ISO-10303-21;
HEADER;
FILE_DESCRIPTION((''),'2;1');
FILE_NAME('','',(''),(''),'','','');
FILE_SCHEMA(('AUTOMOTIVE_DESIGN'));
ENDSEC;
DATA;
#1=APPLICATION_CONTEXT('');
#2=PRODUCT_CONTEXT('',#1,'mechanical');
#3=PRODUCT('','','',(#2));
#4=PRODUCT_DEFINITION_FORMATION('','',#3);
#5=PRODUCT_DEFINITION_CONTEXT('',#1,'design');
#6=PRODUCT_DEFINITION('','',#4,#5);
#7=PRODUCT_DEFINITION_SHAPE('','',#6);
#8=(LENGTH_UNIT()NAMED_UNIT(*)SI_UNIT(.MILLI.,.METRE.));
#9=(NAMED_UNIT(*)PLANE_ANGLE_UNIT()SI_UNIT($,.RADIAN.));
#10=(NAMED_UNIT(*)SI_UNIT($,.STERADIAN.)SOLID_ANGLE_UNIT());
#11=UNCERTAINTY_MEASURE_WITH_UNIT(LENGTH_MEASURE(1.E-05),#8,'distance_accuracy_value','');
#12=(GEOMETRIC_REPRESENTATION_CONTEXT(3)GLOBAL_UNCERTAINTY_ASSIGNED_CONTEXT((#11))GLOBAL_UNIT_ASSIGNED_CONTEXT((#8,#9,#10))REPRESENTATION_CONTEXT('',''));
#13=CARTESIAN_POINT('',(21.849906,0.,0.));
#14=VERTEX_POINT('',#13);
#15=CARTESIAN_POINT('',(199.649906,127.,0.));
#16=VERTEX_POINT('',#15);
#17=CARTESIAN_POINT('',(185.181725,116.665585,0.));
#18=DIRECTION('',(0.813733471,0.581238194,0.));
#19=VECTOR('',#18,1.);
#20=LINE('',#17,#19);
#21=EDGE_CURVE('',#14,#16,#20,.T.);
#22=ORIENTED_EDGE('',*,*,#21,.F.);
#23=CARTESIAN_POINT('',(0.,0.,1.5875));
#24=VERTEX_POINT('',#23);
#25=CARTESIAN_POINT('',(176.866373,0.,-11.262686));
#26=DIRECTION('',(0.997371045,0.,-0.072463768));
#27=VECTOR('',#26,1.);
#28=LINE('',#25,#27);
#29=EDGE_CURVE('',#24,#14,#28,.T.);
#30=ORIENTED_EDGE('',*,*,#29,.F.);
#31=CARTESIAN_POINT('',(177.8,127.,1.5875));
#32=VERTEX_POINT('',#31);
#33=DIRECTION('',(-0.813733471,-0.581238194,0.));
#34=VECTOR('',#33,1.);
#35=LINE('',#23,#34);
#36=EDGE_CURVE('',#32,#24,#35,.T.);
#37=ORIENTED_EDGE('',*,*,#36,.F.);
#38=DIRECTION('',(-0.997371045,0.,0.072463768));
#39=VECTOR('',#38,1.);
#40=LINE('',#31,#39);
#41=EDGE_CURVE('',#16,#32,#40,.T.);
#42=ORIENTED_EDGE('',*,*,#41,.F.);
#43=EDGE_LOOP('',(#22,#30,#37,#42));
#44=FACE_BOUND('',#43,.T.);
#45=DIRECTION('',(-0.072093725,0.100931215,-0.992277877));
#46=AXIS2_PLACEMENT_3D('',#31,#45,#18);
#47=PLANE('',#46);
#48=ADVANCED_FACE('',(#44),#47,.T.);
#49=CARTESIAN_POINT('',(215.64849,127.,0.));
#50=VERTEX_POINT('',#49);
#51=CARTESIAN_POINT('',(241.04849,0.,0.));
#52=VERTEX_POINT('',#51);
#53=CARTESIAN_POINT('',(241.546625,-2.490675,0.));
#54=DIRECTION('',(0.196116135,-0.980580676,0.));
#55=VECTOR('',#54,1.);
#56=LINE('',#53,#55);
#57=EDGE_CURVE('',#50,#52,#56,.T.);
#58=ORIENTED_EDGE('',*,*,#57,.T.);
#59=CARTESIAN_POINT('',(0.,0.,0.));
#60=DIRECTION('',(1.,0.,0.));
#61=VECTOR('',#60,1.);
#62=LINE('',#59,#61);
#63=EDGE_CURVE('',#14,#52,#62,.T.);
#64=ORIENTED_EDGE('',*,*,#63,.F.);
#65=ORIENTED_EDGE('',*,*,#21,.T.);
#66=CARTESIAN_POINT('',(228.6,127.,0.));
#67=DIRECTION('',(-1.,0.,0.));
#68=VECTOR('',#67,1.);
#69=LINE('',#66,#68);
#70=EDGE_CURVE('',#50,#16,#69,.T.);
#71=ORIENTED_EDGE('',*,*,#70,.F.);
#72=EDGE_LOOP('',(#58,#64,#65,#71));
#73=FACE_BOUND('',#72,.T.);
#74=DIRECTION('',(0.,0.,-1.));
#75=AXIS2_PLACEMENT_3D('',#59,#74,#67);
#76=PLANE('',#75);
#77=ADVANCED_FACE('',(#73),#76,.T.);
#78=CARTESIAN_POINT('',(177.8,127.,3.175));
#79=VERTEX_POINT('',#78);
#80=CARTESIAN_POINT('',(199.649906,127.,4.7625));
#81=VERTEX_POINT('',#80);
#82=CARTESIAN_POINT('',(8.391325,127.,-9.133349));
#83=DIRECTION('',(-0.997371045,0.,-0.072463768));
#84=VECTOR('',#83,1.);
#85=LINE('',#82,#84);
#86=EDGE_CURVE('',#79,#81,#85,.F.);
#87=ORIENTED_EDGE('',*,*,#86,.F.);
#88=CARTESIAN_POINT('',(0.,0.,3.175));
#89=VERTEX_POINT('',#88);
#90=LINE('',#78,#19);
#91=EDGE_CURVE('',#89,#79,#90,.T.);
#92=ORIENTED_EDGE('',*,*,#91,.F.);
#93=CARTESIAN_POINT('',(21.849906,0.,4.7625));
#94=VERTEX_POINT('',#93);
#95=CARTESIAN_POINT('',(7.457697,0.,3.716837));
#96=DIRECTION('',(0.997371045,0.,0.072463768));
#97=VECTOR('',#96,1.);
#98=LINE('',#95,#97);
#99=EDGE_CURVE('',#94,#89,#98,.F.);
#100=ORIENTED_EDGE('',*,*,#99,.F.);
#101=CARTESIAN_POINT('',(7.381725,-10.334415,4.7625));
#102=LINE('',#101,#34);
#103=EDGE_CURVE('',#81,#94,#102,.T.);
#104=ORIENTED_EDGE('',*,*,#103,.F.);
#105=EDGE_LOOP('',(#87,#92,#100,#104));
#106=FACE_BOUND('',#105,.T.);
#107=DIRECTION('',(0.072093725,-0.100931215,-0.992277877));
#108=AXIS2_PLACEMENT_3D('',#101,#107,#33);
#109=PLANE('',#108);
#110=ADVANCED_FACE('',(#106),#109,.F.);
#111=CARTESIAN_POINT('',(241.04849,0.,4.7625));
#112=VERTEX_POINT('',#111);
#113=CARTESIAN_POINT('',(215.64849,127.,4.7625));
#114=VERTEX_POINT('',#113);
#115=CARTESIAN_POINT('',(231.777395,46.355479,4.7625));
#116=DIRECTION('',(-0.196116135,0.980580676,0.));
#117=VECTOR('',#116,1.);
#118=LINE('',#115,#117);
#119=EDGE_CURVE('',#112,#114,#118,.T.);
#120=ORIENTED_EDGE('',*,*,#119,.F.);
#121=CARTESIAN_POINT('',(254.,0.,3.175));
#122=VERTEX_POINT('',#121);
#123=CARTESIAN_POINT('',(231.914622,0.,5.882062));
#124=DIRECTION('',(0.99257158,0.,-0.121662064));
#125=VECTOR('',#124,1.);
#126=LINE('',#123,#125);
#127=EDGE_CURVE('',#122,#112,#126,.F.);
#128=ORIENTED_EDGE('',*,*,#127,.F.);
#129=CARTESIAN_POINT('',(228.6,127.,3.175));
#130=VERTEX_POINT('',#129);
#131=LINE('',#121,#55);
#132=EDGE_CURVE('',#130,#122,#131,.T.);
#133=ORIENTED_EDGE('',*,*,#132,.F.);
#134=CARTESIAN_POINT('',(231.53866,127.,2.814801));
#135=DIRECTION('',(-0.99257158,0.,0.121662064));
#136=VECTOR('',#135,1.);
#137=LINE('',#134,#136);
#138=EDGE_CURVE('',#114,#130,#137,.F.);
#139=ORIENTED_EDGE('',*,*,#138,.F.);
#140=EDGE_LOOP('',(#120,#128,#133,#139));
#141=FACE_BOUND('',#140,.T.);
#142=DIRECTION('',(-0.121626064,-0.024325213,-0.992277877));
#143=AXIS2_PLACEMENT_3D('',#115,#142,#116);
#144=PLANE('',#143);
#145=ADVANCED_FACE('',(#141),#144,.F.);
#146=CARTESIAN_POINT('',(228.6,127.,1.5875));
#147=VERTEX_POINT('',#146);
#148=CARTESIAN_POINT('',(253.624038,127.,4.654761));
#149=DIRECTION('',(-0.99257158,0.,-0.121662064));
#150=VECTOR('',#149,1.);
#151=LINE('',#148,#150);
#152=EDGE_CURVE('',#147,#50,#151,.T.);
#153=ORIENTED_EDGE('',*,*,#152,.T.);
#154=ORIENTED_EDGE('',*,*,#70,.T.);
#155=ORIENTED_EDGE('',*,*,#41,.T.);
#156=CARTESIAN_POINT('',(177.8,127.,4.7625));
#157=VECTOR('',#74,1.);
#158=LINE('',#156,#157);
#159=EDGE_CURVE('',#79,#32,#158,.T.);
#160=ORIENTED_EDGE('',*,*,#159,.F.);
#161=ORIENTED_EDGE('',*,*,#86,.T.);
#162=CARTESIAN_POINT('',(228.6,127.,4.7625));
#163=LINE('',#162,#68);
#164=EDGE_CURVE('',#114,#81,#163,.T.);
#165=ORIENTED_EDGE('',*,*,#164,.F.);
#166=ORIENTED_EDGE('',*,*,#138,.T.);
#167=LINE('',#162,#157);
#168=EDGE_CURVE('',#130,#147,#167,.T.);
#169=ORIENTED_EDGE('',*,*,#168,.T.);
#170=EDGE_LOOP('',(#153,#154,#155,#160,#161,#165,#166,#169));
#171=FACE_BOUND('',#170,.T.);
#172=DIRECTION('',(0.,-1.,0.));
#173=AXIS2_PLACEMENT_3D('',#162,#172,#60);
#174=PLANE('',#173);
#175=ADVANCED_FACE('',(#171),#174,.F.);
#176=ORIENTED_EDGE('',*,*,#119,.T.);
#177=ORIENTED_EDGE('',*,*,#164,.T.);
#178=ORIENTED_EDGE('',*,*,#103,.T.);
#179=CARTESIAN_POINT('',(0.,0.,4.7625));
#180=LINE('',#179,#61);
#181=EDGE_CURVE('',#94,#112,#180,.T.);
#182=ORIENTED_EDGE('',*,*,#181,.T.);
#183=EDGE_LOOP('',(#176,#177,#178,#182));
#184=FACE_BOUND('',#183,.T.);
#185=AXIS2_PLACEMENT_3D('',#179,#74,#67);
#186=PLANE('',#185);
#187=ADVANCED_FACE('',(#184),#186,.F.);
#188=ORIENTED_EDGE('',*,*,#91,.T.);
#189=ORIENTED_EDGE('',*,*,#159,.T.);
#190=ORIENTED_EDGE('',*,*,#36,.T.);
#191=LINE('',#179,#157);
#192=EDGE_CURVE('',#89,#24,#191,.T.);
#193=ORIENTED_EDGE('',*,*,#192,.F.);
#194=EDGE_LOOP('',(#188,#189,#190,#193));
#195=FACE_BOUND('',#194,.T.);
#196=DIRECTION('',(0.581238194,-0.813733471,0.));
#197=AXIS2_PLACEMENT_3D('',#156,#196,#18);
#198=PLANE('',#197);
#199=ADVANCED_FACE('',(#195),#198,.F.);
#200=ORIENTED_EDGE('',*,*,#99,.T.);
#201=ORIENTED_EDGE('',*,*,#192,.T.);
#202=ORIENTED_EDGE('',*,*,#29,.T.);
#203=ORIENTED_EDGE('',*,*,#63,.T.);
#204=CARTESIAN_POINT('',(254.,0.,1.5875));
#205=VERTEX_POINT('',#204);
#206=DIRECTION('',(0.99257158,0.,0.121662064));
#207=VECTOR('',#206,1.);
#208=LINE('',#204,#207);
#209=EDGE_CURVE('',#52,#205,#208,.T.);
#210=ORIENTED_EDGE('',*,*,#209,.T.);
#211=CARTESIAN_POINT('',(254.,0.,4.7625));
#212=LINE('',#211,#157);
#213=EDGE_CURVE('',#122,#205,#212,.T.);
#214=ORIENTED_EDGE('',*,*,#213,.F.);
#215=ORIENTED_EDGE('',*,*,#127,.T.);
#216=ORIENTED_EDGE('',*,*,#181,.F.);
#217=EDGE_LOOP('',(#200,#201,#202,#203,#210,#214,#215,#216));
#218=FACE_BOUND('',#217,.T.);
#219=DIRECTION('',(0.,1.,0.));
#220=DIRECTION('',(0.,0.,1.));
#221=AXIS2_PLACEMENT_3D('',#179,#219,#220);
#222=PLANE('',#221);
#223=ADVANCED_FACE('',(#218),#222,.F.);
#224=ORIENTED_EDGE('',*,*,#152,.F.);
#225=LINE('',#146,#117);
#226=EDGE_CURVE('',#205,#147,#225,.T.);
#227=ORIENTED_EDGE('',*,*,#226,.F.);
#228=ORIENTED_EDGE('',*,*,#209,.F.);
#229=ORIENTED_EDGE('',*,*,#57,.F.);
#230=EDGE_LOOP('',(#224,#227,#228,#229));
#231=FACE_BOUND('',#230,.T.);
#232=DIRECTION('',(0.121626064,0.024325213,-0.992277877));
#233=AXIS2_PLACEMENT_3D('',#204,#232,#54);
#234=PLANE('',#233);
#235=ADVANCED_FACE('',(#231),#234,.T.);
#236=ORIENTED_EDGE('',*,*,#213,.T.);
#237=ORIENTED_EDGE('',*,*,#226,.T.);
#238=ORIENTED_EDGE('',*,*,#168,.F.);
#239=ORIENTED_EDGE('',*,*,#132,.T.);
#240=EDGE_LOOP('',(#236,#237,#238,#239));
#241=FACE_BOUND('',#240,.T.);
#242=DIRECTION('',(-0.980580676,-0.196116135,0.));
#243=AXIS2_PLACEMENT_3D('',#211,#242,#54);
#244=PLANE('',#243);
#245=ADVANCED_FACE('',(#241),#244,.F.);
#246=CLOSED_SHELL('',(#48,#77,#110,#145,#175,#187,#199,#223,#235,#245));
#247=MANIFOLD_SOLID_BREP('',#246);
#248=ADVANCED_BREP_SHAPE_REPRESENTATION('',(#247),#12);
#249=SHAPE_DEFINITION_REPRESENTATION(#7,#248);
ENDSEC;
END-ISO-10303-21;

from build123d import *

# Parameters (mm, degrees)
BOSS_EXTRUDE1_DEPTH = 4.7625
CHAMFER1_SIZE       = 1.5875
CHAMFER1_SIZE2      = 12.7
CHAMFER2_SIZE       = 1.5875
CHAMFER2_SIZE2      = 12.7


with BuildPart() as part:
    # Sketch1 → Boss-Extrude1 (new body)
    with BuildSketch(Plane.XY):
        Polygon((0, 0), (254, 0), (228.6, 127), (177.8, 127), align=None)
    extrude(amount=BOSS_EXTRUDE1_DEPTH)

    # Chamfer1
    chamfer1_edges = [part.edges().sort_by_distance(p)[0] for p in [
        (88.9, 63.5, 4.7625),
        (88.9, 63.5, 0),
    ]]
    chamfer1_side = [part.faces().sort_by_distance(p)[0] for p in [
        (88.9, 63.5, 2.38125),
    ]]
    chamfer(chamfer1_edges, length=CHAMFER1_SIZE, length2=CHAMFER1_SIZE2, reference=chamfer1_side[0])

    # Chamfer2
    chamfer2_edges = [part.edges().sort_by_distance(p)[0] for p in [
        (241.3, 63.5, 4.7625),
        (241.3, 63.5, 0),
    ]]
    chamfer2_side = [part.faces().sort_by_distance(p)[0] for p in [
        (241.3, 63.5, 2.38125),
    ]]
    chamfer(chamfer2_edges, length=CHAMFER2_SIZE, length2=CHAMFER2_SIZE2, reference=chamfer2_side[0])


solid = part.part
